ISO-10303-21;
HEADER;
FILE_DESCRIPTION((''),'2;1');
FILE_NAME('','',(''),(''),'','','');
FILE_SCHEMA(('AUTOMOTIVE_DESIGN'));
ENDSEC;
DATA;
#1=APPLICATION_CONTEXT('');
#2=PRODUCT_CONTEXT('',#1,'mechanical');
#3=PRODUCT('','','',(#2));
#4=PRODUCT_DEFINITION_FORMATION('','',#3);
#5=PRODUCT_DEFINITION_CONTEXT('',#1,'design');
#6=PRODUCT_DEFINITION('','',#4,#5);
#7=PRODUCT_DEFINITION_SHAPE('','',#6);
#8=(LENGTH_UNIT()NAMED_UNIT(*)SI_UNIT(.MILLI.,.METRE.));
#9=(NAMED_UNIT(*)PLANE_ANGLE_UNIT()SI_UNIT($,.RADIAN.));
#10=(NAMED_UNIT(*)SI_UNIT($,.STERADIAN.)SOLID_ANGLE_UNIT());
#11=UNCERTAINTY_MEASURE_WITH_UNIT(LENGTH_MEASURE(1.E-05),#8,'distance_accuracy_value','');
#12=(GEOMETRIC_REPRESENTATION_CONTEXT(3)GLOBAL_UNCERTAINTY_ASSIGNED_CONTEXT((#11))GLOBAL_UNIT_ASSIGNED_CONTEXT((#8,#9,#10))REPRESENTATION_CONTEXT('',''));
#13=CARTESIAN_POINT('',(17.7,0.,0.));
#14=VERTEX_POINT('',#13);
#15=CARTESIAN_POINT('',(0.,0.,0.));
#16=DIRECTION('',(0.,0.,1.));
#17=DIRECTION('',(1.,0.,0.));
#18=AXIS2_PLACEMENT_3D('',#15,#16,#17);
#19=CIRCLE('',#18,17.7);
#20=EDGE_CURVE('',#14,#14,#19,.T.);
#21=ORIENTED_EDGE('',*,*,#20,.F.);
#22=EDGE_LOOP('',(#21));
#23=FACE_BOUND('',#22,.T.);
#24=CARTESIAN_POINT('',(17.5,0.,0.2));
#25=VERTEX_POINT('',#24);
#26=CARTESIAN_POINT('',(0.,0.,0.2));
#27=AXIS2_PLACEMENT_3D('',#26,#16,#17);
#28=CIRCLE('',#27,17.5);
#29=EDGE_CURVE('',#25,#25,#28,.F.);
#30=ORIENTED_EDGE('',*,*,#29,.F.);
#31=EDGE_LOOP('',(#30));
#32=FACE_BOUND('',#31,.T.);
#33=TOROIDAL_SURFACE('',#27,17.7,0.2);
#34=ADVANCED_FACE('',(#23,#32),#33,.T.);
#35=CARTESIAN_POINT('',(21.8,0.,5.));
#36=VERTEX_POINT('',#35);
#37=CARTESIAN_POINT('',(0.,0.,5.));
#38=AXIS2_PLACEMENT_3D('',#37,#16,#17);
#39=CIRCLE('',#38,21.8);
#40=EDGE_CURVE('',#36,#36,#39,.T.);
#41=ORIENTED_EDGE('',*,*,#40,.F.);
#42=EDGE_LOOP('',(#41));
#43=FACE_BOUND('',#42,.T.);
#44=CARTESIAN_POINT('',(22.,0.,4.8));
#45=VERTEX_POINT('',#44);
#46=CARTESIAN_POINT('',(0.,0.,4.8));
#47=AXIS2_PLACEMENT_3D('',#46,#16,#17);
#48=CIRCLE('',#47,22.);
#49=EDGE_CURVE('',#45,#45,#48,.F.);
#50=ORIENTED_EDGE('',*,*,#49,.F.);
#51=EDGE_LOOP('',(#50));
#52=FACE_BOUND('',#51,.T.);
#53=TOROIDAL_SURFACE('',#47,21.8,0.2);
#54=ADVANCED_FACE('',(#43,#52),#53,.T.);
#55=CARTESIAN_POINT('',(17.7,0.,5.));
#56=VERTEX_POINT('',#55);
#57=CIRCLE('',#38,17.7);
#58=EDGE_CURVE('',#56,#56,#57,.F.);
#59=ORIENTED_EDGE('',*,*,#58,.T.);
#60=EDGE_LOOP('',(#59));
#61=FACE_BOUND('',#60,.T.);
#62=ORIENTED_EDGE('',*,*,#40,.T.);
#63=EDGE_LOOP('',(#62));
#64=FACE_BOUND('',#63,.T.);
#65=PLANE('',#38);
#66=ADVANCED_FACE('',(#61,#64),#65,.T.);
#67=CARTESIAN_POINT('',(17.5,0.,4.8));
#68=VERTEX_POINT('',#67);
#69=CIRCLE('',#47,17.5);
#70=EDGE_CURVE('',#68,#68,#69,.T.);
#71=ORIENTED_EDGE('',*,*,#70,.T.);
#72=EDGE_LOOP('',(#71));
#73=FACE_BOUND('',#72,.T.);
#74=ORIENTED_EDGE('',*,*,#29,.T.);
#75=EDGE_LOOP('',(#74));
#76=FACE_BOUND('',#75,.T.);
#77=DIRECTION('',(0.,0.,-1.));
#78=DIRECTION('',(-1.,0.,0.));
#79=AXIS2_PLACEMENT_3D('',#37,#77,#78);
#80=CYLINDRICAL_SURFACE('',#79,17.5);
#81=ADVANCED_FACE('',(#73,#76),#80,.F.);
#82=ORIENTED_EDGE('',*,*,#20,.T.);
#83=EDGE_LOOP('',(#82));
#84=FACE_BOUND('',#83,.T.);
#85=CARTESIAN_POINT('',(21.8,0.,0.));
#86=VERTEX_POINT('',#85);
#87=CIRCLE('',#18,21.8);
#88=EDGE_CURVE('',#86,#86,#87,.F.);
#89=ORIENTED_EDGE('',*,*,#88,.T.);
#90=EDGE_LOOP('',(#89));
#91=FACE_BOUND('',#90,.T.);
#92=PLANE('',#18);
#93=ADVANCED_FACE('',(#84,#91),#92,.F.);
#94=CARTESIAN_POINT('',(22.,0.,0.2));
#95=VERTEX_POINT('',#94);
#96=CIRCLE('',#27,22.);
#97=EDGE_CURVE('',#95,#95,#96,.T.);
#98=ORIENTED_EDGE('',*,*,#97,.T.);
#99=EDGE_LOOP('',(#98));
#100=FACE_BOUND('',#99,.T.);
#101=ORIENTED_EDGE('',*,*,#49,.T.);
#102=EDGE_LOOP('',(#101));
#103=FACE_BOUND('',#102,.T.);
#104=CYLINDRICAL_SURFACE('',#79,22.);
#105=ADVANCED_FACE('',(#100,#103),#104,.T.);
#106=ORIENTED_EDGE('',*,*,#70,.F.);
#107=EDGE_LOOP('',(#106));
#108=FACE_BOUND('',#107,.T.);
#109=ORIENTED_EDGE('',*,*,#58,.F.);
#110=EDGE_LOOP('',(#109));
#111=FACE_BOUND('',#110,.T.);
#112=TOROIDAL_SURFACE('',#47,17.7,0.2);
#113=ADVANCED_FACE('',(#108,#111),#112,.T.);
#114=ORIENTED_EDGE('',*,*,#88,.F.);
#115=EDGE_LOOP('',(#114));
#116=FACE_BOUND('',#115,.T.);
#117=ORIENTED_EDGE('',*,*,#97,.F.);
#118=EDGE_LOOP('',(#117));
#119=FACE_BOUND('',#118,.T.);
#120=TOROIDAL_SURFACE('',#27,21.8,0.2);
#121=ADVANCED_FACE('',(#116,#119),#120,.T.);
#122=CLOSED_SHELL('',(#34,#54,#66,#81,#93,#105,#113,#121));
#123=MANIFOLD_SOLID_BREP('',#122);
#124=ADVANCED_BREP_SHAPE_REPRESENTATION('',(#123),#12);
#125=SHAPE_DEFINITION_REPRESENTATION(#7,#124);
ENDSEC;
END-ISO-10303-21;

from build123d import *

# Parameters (mm, degrees)
SKETCH_1_R      = 22
SKETCH_1_R_2    = 17.5
EXTRUDE_1_DEPTH = 5
FILLET_1_R      = 0.2


with BuildPart() as part:
    # 草图1 → 凸台-拉伸1 (new body)
    with BuildSketch(Plane.XY):
        Circle(SKETCH_1_R)
        Circle(SKETCH_1_R_2, mode=Mode.SUBTRACT)
    extrude(amount=EXTRUDE_1_DEPTH)

    # 圆角1
    fillet_1_edges = [part.edges().sort_by_distance(p)[0] for p in [
        (-22, 0, 0),
        (-22, 0, 5),
        (-17.5, 0, 0),
        (-17.5, 0, 5),
    ]]
    fillet(fillet_1_edges, radius=FILLET_1_R)


solid = part.part
